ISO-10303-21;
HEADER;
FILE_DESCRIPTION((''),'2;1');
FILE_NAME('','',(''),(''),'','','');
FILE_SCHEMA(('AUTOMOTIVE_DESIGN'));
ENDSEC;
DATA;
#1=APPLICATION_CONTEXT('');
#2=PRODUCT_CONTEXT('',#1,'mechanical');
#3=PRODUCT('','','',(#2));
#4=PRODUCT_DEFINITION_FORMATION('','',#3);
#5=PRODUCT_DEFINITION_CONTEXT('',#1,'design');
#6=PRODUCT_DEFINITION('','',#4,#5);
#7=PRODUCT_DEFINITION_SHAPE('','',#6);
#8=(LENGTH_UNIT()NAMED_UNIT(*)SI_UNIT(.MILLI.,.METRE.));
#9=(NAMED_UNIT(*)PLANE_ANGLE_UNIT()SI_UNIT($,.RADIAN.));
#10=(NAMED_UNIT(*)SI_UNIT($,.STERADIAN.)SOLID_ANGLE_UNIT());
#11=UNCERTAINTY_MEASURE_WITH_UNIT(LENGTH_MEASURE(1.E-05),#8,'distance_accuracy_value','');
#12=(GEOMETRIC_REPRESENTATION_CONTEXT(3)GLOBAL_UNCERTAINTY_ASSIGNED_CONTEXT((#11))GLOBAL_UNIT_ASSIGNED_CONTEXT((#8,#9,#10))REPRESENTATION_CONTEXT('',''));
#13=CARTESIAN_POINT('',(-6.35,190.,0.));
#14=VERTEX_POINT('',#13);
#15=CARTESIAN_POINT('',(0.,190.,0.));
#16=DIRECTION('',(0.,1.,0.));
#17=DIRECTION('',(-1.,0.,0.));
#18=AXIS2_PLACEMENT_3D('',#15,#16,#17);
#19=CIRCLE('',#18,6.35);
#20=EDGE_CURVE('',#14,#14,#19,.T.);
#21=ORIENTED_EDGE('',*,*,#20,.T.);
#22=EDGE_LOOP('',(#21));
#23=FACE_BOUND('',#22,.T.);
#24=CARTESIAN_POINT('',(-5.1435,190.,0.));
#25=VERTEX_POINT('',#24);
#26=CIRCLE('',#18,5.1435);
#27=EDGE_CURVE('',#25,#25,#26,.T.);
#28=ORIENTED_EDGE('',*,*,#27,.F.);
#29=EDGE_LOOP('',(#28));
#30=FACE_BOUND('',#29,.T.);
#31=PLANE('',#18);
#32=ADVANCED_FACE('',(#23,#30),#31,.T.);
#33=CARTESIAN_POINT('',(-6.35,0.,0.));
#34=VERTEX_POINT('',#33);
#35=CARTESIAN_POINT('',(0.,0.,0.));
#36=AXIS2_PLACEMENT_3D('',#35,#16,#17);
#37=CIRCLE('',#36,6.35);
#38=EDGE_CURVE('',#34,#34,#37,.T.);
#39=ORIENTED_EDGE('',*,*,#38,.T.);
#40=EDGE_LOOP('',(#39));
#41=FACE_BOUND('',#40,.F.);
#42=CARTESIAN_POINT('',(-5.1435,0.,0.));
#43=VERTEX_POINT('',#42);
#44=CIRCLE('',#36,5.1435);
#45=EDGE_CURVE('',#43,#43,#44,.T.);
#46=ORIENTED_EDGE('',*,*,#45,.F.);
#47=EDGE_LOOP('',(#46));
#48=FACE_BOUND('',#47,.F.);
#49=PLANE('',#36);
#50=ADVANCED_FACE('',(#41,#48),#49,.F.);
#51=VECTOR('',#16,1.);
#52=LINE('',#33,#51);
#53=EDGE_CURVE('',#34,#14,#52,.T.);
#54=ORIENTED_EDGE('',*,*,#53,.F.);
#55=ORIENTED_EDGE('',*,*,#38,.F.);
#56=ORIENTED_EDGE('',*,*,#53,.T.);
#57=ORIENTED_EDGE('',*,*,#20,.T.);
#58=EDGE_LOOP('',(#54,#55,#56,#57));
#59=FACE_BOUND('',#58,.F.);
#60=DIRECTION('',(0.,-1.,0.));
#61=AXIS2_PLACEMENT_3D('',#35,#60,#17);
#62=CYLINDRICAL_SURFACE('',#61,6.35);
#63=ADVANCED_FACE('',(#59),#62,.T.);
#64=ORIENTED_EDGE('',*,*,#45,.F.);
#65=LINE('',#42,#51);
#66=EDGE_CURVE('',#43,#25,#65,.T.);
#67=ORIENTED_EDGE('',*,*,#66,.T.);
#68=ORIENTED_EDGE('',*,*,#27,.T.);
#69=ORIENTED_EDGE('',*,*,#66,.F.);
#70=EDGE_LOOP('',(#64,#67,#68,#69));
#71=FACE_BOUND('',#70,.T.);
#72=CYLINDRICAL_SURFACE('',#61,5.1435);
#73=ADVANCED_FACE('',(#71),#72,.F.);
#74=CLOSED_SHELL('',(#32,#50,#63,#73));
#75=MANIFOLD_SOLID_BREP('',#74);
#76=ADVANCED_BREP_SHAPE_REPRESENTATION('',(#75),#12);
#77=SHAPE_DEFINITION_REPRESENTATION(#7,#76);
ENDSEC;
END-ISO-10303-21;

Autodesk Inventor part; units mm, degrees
ref_plane "YZ Plane" through (0, 0, 0) normal (1, 0, 0) x (0, 1, 0)
ref_plane "XZ Plane" through (0, 0, 0) normal (0, 1, 0) x (-1, 0, 0)
ref_plane "XY Plane" through (0, 0, 0) normal (0, 0, 1) x (1, 0, 0)
sketch "Sketch1" plane through (0, 0, 0) normal (0, 1, 0) x (-1, 0, 0)
  circle A0 centre (0, 0) radius 6.35
  circle A1 centre (0, 0) radius 5.1435
  dimension "d0" = 12.7
  dimension "d1" = 10.287
extrude "Extrusion1" add sketch "Sketch1" along normal blind 190
properties part number "sus_rods"
